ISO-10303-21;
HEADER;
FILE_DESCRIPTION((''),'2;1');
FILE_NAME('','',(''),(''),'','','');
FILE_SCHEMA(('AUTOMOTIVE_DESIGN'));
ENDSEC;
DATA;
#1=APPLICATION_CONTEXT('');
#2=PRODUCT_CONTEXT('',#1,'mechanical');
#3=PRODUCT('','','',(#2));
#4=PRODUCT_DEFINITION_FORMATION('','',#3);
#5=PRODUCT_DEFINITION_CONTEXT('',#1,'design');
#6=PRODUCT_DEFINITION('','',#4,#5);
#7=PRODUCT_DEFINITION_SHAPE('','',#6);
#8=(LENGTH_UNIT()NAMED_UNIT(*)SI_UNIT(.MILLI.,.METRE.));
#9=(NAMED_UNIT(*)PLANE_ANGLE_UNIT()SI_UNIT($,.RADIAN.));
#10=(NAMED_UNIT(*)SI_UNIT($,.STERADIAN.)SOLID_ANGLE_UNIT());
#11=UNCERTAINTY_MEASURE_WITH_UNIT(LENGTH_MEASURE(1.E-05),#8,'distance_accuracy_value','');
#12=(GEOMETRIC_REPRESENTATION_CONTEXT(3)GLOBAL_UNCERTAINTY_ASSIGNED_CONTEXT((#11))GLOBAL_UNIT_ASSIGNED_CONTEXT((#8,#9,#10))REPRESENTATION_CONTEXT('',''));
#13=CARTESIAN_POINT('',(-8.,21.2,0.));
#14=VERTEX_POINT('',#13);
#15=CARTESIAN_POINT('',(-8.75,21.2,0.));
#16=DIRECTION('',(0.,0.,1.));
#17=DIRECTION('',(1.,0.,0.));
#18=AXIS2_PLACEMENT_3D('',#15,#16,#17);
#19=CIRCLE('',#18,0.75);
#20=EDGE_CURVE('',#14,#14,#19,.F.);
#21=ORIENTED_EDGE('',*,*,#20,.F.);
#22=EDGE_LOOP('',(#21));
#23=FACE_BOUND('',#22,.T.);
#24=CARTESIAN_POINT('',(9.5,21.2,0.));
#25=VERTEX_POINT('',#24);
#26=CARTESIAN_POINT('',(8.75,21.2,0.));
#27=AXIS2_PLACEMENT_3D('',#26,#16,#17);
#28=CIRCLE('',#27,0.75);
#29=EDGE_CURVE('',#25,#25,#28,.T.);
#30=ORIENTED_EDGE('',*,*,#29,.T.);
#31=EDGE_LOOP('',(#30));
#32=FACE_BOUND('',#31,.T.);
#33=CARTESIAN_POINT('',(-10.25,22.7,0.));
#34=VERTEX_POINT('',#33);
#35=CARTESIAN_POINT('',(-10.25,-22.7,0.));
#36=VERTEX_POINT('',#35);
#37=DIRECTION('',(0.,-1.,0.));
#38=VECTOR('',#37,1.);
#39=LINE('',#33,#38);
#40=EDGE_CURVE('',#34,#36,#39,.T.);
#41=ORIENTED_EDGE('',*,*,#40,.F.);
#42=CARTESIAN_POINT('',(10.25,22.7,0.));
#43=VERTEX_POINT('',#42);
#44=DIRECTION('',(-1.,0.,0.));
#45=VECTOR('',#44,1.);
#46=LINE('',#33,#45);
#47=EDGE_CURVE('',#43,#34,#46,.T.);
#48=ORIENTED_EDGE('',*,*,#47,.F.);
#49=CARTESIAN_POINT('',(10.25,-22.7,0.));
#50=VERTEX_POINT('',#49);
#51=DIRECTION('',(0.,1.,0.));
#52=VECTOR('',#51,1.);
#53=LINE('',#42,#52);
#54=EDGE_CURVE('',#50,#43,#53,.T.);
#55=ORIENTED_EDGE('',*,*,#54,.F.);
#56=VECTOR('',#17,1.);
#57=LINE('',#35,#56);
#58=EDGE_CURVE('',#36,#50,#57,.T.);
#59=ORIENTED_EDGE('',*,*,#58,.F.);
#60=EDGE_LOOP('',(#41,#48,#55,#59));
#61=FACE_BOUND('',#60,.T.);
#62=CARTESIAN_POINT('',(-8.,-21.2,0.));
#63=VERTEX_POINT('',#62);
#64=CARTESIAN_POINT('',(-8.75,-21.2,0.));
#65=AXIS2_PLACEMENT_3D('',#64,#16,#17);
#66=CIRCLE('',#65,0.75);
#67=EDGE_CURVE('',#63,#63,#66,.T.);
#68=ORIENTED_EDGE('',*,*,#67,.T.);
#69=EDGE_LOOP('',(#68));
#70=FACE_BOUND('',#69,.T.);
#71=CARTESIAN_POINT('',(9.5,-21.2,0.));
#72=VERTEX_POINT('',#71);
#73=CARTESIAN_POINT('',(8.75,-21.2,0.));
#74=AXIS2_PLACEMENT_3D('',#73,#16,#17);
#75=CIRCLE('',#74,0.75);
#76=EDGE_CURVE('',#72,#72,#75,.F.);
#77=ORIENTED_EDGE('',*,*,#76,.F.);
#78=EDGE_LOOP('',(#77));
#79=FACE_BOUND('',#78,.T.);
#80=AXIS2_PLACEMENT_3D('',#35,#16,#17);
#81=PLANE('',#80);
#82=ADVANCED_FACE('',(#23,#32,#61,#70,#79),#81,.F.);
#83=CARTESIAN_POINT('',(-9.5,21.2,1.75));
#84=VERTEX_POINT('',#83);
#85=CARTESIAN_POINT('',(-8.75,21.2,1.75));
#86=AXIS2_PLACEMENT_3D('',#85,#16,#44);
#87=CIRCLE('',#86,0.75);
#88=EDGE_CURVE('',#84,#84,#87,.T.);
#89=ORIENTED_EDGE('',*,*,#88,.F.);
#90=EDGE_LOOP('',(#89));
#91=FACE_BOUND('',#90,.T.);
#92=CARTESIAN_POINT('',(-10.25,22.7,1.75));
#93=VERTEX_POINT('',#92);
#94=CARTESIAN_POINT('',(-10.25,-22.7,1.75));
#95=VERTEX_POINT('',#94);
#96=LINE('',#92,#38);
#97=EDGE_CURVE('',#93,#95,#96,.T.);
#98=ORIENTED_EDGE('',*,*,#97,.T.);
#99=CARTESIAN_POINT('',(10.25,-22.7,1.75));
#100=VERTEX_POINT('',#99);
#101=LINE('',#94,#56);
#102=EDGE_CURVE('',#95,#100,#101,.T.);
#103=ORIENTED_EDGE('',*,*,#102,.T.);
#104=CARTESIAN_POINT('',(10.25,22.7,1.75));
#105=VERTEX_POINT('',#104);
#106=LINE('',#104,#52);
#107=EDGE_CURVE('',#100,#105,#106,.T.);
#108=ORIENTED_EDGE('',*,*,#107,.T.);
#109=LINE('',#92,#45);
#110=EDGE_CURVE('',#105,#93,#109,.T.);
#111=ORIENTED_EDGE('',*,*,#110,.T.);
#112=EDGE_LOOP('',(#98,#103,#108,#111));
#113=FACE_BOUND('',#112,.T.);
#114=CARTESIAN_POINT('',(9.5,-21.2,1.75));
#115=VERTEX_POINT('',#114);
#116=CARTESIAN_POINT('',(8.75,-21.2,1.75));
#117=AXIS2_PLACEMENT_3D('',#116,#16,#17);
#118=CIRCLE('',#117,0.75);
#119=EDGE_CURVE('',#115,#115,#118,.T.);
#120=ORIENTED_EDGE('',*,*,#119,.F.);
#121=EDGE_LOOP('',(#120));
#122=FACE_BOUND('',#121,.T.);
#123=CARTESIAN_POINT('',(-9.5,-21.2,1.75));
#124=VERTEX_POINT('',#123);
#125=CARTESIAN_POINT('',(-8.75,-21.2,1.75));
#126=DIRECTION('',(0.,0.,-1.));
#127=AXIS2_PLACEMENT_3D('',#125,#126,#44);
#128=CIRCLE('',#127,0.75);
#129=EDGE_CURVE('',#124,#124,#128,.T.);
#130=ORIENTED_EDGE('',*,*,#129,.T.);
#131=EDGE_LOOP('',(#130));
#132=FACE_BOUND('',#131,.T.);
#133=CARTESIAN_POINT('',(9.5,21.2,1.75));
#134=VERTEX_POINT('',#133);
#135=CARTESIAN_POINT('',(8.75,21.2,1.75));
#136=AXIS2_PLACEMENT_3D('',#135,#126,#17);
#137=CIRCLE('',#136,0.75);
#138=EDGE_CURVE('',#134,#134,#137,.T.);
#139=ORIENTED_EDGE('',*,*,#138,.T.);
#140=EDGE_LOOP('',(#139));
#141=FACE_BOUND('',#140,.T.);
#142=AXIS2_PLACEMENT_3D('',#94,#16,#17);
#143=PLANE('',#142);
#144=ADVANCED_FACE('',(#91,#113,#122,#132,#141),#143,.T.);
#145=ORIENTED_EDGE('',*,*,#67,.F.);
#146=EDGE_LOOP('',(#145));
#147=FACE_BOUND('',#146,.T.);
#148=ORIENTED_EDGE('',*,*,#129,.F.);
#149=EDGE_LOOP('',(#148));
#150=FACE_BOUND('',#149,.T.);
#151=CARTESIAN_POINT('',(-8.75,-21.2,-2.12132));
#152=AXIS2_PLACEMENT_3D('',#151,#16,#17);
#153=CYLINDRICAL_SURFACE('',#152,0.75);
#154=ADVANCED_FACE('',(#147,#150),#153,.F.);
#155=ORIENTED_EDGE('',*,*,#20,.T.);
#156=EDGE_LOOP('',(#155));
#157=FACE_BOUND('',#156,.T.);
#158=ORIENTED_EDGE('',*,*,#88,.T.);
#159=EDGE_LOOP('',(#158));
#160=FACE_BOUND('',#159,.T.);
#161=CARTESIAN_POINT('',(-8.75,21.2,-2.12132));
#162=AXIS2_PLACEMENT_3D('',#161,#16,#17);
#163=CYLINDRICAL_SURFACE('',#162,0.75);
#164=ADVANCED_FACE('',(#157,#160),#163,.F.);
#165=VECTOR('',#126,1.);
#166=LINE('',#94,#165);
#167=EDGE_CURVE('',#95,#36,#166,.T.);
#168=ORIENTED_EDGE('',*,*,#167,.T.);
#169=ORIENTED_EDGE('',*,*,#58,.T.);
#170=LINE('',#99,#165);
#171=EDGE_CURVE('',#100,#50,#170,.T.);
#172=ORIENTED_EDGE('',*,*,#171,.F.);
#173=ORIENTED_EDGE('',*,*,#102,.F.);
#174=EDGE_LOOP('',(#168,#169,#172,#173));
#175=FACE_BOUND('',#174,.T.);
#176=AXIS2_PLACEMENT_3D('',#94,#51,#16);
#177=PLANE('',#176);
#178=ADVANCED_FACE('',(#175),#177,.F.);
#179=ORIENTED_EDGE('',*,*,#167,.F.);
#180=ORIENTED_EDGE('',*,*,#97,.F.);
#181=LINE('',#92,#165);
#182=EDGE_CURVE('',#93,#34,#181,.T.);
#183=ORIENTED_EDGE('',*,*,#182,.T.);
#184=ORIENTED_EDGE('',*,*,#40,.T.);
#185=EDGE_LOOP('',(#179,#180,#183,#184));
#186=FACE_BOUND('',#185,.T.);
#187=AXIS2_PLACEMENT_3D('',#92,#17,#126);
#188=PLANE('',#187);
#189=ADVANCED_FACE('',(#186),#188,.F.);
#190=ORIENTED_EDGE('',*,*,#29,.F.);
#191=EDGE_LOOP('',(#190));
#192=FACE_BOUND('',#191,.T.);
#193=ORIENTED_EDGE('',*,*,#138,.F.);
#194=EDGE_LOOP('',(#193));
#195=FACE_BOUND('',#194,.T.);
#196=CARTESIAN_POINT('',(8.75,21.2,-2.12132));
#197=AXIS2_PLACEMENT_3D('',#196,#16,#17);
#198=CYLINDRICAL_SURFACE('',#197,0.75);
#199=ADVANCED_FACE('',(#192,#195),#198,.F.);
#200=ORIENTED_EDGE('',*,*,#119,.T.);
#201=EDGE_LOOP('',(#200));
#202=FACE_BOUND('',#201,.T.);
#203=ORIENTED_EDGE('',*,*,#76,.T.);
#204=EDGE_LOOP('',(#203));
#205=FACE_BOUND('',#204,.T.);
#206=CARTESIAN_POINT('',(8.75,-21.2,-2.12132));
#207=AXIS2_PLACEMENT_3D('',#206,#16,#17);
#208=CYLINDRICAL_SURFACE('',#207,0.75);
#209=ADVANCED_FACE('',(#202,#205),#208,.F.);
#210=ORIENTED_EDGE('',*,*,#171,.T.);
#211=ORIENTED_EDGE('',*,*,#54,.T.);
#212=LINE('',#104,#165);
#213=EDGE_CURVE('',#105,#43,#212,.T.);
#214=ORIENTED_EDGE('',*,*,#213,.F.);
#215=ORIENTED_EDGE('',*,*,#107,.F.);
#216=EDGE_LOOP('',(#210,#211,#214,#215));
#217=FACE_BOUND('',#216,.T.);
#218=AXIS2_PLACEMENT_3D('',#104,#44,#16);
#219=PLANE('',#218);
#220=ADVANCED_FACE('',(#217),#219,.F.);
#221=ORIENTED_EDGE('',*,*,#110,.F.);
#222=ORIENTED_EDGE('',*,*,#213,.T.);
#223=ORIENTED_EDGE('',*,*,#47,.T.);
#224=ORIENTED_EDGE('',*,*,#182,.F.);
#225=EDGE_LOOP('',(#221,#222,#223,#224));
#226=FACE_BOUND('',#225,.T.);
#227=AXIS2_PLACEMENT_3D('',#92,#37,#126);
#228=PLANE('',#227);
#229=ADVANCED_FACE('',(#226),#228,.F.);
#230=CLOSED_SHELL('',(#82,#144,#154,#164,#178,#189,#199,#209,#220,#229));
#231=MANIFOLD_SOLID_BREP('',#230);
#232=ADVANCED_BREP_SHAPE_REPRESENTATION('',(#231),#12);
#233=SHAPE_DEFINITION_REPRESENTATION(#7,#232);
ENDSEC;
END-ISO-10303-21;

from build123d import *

# Parameters (mm, degrees)
SKETCH1_W               = 20.5
SKETCH1_H               = 45.4
EXTRUDE1_DEPTH          = 1.75
SKETCH2_R               = 0.75
CUT_EXTRUDE1_DEPTH      = 1.75
MIRROR2_COPY_1_SKETCH_R = 0.75
MIRROR2_COPY_1_DEPTH    = 1.75


with BuildPart() as part:
    # Sketch1 → Extrude1 (new body)
    with BuildSketch(Plane.XY):
        Rectangle(SKETCH1_W, SKETCH1_H)
    extrude(amount=EXTRUDE1_DEPTH)

    # Sketch2 → Cut-Extrude1 (cut)
    with BuildSketch(Plane.XY.offset(1.75)):
        with Locations((8.75, -21.2)):
            Circle(SKETCH2_R)
    cut_extrude1 = extrude(amount=-CUT_EXTRUDE1_DEPTH, mode=Mode.SUBTRACT)

    # Mirror1: Cut-Extrude1 across plane
    add(cut_extrude1.mirror(Plane(origin=(0, 0, 0), x_dir=(0, 0, 1), z_dir=(1, 0, 0))), mode=Mode.SUBTRACT)

    # Mirror2: Cut-Extrude1 across plane
    add(cut_extrude1.mirror(Plane.ZX), mode=Mode.SUBTRACT)

    # Mirror2 copy 1 sketch → Mirror2 copy 1 (cut)
    with BuildSketch(Plane(origin=(0, 0, 1.75), x_dir=(-1, 0, 0), z_dir=(0, 0, 1))):
        with Locations((8.75, -21.2)):
            Circle(MIRROR2_COPY_1_SKETCH_R)
    extrude(amount=-MIRROR2_COPY_1_DEPTH, mode=Mode.SUBTRACT)


solid = part.part
